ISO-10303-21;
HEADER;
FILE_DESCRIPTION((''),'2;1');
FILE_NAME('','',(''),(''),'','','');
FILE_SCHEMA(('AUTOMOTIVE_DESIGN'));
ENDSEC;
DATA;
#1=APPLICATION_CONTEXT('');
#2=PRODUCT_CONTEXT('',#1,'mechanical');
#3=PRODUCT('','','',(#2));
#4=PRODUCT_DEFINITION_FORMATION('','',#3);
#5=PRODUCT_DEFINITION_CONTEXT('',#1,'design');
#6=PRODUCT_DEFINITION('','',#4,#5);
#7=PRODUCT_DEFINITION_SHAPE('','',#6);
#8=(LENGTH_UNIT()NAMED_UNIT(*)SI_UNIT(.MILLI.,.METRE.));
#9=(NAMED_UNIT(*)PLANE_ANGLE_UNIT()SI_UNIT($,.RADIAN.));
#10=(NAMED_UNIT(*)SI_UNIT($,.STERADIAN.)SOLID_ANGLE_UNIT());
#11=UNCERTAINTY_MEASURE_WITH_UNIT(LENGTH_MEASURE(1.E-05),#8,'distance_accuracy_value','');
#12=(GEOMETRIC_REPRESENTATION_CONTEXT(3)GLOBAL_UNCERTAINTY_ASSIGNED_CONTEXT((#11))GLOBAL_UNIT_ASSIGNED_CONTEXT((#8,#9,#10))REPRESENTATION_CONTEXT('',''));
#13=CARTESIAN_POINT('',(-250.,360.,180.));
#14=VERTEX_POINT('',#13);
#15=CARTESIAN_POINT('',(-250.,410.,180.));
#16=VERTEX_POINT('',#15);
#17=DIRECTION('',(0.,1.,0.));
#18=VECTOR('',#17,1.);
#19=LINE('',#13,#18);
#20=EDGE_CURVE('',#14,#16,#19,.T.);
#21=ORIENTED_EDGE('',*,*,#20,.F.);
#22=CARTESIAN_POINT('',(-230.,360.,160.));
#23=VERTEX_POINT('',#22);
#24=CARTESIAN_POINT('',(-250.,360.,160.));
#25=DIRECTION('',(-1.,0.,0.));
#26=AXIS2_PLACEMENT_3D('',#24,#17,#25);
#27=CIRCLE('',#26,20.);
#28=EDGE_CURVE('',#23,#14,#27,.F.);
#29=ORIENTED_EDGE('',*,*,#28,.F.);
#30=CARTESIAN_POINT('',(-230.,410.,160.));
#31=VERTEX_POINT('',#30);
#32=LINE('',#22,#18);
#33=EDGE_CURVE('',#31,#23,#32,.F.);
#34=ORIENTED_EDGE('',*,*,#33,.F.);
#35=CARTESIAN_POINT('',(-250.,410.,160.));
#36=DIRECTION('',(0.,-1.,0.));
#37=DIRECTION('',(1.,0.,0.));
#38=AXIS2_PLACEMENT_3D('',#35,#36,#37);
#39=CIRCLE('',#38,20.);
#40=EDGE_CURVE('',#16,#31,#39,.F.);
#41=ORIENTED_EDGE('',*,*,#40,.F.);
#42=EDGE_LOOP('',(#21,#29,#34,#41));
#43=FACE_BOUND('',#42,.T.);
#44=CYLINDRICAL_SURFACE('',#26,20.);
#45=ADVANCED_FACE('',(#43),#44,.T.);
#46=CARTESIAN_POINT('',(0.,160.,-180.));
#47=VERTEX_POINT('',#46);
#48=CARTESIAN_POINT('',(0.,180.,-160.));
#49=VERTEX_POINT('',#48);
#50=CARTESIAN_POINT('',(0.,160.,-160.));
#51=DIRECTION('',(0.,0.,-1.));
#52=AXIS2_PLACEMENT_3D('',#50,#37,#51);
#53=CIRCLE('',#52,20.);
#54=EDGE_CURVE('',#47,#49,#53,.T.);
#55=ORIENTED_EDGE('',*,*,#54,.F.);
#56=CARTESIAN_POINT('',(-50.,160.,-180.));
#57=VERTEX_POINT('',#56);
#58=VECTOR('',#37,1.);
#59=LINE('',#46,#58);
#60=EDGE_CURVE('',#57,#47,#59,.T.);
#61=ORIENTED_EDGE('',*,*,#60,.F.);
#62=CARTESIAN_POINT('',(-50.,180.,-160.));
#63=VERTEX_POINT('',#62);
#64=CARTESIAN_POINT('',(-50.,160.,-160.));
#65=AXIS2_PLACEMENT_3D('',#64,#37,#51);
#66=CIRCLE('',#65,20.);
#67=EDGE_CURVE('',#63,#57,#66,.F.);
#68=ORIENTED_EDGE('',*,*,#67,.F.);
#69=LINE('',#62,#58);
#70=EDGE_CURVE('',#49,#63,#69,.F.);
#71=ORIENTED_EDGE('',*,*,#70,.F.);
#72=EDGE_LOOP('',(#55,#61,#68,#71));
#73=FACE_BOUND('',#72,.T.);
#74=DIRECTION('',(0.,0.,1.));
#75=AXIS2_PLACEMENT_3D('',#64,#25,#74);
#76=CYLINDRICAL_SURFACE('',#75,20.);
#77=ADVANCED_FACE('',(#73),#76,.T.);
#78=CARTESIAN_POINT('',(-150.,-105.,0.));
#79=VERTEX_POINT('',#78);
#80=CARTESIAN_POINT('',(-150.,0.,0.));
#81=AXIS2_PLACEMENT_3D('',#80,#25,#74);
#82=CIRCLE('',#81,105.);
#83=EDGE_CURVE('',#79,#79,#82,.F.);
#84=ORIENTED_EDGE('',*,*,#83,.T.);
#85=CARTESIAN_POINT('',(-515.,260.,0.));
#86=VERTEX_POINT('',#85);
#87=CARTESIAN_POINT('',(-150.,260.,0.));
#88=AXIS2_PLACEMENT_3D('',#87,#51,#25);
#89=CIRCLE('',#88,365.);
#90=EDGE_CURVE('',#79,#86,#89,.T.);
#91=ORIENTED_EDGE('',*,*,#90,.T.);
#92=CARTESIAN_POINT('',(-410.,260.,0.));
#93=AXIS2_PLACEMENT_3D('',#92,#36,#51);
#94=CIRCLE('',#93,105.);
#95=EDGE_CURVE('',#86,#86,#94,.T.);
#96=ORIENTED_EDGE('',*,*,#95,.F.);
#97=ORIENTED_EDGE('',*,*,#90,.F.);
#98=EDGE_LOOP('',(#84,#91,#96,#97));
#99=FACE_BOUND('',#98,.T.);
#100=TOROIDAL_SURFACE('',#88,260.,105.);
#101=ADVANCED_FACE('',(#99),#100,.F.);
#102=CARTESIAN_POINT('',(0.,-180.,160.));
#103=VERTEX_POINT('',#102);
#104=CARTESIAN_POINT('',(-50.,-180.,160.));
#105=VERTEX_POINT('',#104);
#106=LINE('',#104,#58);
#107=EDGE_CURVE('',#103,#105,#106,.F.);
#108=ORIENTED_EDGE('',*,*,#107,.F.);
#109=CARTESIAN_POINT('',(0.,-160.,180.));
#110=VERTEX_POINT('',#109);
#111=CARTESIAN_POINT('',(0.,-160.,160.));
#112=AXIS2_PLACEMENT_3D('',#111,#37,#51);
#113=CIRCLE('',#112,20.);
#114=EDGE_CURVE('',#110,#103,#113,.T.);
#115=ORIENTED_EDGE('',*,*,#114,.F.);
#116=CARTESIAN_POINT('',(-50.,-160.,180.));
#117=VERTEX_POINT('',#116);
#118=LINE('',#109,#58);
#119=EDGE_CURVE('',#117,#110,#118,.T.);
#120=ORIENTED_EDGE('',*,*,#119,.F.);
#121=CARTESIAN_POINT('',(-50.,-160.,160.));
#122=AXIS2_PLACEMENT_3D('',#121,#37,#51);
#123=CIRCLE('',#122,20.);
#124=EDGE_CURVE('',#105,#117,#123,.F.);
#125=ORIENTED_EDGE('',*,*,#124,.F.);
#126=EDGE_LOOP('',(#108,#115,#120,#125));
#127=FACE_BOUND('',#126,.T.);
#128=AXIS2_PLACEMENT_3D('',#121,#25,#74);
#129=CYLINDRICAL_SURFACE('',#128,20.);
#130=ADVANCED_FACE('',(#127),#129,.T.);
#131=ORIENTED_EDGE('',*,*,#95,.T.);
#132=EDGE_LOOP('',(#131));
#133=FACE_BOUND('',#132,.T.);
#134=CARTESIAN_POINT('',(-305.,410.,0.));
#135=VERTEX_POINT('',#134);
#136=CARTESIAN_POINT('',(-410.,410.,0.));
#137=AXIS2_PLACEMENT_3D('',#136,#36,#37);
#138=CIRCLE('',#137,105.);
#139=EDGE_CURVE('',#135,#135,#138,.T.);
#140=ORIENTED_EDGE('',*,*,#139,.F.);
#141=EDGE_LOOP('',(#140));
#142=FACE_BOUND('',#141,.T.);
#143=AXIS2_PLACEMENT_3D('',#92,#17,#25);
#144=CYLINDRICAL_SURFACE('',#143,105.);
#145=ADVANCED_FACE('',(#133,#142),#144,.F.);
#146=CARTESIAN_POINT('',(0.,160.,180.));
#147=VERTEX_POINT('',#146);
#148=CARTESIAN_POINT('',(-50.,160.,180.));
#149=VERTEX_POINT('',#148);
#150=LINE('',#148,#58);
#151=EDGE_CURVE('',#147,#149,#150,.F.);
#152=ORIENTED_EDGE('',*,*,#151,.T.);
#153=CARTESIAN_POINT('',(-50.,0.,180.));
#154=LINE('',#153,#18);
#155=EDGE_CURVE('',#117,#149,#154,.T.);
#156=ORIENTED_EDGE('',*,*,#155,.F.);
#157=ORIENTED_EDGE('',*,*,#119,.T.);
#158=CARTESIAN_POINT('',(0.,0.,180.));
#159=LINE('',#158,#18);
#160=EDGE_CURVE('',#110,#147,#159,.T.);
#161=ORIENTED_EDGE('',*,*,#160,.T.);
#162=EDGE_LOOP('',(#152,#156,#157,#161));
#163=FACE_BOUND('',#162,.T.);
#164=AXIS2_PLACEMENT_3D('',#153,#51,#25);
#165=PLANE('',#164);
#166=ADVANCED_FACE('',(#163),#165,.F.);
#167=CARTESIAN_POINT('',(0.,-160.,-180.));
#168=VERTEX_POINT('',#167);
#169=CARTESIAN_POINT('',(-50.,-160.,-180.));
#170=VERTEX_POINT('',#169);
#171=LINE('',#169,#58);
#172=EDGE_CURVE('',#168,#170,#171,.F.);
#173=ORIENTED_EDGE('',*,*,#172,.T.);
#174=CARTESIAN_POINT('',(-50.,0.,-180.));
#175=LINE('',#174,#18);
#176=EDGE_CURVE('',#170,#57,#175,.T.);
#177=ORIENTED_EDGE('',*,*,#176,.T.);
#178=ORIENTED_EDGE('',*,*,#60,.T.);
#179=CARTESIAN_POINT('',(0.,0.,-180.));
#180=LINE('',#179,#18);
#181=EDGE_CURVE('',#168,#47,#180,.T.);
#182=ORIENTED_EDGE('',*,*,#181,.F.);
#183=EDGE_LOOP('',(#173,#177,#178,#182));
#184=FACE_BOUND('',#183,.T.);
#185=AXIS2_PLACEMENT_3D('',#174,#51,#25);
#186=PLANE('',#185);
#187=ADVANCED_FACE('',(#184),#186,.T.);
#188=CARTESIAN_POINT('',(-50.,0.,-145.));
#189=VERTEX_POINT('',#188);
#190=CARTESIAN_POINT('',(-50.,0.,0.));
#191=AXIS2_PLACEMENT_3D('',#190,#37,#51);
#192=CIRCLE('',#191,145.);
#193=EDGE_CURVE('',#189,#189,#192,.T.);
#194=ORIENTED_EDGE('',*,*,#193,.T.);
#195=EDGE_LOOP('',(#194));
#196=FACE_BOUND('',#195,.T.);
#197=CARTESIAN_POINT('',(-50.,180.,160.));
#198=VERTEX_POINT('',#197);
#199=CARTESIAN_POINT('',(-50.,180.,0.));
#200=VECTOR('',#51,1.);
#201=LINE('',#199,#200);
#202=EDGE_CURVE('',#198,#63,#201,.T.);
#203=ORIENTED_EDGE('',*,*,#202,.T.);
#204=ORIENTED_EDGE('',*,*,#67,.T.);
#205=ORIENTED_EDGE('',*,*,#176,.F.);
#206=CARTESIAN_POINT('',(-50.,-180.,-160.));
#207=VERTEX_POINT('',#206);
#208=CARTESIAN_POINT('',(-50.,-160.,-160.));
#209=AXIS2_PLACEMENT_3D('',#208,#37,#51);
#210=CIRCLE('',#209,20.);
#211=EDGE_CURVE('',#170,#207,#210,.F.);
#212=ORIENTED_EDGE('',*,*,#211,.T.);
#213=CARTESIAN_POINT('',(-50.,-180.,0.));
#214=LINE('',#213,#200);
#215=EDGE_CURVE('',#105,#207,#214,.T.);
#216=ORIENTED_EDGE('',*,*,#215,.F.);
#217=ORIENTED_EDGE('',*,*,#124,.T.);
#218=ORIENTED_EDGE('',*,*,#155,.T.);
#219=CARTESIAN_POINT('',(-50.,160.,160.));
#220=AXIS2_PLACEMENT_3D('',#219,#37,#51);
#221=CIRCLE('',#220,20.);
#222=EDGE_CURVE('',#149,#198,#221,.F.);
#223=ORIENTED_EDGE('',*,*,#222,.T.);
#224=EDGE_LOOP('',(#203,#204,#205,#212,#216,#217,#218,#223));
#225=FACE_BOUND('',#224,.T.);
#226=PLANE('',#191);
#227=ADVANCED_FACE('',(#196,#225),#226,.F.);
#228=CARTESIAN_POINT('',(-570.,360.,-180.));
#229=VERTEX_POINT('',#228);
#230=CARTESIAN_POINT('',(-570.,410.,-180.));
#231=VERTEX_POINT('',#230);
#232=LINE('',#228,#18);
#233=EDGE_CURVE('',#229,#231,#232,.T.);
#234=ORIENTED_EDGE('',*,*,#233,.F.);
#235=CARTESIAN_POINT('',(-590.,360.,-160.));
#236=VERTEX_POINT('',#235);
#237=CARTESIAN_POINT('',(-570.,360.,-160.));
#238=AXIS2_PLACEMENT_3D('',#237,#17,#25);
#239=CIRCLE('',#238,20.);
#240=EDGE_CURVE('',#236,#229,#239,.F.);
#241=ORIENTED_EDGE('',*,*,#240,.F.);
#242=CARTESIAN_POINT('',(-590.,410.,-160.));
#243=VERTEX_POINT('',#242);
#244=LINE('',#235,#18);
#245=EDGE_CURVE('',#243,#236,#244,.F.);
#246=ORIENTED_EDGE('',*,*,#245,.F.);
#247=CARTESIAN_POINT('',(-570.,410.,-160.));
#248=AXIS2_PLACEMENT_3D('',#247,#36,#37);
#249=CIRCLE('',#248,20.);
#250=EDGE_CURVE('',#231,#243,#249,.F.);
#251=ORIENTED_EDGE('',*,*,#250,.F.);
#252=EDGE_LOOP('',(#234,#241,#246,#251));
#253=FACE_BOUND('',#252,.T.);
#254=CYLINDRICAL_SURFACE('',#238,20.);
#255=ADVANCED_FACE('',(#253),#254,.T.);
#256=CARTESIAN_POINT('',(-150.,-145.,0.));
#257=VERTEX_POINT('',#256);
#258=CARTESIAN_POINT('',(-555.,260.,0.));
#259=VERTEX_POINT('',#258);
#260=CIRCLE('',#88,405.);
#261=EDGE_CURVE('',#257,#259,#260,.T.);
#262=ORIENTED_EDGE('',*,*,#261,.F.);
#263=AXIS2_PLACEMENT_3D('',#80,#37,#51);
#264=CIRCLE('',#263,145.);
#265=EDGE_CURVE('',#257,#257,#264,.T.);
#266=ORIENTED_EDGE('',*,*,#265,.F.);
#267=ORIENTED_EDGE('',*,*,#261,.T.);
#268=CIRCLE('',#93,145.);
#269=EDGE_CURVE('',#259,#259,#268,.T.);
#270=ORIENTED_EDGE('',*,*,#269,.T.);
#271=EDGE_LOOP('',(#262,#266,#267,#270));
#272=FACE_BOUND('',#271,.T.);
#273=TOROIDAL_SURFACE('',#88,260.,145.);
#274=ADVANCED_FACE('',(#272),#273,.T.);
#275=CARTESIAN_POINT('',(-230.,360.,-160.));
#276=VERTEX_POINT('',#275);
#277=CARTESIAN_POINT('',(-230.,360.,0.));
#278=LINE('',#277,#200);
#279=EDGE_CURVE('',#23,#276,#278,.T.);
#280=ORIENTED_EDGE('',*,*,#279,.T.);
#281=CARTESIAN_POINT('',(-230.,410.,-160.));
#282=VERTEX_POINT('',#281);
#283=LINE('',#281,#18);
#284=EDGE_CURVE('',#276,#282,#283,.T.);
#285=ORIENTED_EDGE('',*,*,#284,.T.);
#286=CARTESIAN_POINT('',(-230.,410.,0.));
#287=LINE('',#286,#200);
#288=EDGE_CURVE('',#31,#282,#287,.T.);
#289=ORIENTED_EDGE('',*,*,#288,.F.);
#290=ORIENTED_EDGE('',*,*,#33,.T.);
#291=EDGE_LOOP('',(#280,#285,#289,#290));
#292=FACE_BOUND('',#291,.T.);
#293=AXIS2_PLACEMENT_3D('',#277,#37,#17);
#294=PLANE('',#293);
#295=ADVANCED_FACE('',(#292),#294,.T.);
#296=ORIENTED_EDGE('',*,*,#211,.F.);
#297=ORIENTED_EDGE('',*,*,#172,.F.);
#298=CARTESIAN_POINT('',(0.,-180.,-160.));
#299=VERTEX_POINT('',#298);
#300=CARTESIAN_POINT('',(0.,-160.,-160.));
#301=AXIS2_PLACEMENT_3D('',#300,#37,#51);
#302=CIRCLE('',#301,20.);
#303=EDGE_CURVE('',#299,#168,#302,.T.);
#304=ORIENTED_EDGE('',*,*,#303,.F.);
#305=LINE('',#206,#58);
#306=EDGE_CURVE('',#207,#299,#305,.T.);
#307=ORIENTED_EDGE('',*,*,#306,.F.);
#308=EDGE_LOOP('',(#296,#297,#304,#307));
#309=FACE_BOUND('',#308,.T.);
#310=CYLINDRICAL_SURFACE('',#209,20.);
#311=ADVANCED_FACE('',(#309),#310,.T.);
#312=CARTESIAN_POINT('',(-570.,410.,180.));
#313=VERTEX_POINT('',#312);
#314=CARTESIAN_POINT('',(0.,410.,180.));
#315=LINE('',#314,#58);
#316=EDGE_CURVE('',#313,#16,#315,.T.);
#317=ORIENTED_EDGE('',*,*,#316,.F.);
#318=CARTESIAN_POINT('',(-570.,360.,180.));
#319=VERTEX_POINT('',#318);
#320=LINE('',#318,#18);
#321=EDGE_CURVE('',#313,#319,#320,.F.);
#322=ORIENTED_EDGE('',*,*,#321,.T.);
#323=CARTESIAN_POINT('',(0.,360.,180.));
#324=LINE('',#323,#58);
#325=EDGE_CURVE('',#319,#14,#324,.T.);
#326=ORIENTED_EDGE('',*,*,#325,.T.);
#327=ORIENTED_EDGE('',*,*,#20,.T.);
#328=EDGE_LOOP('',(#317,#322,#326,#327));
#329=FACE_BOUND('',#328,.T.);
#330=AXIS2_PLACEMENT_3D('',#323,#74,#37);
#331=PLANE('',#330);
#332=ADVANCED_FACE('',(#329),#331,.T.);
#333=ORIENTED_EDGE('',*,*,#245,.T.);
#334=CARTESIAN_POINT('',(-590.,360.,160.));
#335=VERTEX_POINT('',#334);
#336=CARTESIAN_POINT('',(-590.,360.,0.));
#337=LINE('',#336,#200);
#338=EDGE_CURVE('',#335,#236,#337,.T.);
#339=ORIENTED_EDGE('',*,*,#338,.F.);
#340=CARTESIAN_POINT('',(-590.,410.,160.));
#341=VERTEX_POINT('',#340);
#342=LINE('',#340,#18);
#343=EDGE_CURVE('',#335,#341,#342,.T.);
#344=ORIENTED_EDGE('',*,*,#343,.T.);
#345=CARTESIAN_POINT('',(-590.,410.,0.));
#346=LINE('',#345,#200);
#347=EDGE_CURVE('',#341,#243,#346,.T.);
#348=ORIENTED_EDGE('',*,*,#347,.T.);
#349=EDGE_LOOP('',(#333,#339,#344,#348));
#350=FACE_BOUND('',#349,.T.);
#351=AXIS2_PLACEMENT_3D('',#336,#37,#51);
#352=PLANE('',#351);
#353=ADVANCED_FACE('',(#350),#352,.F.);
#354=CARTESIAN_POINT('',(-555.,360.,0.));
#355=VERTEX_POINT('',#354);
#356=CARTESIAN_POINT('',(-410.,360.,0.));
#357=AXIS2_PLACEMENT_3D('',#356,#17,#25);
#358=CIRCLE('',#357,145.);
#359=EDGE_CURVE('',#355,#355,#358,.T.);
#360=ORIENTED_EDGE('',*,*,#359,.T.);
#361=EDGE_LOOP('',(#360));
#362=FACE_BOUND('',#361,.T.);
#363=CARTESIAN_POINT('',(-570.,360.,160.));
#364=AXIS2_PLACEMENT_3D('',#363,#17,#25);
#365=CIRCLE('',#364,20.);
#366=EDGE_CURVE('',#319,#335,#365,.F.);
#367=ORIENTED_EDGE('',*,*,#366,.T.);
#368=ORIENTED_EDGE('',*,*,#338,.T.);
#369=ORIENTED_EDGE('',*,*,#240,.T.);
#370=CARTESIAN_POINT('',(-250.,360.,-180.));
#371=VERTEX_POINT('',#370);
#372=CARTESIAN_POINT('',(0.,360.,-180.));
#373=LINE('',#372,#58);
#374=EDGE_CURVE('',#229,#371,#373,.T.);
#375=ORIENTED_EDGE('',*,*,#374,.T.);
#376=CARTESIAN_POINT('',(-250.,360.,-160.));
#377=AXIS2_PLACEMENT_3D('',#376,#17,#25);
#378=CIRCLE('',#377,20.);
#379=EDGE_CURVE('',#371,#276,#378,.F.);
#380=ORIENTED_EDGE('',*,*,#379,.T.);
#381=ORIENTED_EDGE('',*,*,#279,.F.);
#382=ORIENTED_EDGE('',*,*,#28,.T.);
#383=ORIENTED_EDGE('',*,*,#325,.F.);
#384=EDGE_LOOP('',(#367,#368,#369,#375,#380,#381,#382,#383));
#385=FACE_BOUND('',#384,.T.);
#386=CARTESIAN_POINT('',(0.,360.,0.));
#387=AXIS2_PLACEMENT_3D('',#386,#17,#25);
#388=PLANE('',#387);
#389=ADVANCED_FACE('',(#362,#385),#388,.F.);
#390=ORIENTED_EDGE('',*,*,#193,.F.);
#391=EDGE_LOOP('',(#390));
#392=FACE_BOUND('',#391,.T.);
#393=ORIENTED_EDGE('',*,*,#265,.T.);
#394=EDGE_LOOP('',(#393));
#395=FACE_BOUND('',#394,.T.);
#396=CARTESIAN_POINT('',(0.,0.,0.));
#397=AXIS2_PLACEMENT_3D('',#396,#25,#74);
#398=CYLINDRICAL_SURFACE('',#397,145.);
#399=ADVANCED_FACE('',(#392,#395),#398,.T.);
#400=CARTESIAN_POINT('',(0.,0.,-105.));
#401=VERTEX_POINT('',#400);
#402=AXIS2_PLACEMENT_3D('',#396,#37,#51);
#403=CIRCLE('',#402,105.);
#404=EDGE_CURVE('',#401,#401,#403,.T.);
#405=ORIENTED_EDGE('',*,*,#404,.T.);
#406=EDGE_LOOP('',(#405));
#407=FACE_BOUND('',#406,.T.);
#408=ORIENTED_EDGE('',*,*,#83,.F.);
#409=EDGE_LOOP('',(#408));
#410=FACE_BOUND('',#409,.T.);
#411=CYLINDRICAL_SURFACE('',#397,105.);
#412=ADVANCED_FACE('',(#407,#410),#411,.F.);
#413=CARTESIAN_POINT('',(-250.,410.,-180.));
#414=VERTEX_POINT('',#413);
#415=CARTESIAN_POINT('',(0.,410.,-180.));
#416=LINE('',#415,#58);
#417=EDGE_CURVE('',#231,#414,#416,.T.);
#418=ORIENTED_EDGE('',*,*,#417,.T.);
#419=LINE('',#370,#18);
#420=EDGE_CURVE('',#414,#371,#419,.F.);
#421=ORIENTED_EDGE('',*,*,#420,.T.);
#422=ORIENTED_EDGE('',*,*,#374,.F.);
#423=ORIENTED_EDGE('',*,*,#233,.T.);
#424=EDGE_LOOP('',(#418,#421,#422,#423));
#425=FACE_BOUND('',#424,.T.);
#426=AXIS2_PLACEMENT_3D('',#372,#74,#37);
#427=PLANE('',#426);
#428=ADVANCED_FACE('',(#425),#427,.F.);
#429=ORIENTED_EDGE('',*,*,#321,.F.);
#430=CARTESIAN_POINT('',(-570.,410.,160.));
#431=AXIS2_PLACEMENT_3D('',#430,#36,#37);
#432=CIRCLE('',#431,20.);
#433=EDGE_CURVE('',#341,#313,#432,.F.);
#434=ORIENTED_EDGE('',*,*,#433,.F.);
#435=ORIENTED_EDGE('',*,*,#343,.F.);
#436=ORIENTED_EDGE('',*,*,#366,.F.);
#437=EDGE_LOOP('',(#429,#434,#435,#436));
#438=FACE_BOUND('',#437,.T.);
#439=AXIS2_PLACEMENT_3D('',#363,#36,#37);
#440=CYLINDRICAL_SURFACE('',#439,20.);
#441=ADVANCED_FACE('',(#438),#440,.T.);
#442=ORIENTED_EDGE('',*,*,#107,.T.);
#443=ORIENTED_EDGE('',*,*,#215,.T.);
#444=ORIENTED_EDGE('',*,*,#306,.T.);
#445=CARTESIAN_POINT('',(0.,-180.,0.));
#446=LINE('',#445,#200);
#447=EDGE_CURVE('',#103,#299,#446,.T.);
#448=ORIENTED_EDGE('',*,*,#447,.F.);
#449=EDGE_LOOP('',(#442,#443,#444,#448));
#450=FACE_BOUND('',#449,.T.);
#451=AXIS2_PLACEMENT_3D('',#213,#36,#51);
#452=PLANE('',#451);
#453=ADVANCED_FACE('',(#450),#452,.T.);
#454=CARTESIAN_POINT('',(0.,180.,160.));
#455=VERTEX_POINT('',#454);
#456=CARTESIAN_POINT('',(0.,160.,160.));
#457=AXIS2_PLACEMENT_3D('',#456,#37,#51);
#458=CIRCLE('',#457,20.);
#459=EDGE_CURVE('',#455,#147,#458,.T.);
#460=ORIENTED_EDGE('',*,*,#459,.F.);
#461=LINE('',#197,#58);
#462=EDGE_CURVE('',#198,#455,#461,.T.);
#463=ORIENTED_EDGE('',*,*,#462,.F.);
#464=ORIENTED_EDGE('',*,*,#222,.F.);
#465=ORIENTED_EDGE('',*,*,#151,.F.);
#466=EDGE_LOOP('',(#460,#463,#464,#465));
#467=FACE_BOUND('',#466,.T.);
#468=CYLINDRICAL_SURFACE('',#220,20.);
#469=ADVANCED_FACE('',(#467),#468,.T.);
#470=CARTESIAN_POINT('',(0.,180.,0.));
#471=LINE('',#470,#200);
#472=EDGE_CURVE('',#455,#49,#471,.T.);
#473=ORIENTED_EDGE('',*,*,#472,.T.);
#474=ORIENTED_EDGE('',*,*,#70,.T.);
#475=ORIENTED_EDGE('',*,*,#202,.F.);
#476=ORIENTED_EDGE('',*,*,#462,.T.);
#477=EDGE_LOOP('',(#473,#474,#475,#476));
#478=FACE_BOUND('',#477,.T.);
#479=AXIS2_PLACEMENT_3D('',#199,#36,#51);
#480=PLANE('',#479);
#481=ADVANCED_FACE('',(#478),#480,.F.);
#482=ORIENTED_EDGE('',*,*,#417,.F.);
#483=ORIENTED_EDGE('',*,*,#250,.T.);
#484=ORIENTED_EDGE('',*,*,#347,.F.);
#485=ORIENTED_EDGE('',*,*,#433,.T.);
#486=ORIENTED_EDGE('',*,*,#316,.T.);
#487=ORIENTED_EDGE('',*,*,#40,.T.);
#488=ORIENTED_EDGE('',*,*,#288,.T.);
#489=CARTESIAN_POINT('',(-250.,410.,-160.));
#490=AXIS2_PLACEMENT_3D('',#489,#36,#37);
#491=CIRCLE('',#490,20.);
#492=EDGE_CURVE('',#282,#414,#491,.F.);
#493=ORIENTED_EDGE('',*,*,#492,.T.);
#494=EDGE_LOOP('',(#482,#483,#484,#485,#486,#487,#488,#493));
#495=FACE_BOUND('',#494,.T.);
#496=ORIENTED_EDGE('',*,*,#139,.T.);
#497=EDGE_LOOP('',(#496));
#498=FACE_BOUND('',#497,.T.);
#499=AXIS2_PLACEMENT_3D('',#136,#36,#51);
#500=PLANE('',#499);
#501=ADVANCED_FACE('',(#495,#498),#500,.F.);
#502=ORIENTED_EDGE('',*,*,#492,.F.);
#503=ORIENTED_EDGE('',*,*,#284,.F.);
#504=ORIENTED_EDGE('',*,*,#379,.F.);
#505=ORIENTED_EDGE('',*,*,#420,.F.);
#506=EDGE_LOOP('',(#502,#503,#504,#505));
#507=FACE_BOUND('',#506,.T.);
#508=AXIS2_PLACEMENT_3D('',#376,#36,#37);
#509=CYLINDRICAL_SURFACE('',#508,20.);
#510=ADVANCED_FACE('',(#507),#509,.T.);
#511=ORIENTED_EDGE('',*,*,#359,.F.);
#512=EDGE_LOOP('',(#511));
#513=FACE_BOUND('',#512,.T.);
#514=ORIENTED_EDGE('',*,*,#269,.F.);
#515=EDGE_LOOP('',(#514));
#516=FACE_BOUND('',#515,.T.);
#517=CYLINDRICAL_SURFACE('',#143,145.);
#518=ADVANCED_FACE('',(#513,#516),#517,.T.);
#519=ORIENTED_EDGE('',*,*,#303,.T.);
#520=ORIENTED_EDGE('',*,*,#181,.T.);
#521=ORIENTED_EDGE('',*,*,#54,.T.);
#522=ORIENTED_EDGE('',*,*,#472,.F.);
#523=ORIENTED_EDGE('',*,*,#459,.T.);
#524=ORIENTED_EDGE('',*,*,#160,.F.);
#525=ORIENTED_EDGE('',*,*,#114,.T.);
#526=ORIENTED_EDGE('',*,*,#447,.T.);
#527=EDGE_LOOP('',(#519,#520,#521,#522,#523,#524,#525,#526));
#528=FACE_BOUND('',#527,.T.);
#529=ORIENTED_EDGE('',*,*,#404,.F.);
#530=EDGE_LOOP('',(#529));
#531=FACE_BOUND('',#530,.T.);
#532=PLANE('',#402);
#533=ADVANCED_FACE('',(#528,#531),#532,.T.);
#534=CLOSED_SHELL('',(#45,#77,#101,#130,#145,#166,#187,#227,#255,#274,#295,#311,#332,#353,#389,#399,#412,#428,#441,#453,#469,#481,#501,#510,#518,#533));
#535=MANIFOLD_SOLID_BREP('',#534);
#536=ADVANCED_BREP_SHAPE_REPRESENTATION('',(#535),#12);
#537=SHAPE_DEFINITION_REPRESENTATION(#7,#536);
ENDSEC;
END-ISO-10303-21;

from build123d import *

# Parameters (mm, degrees)
SKETCH3_R           = 145
SKETCH3_R_2         = 105
BOSS_EXTRUDE1_START = -50
SKETCH4_W           = 360
SKETCH4_H           = 360
SKETCH4_R           = 145
BOSS_EXTRUDE1_DEPTH = 50
FILLET1_R           = 20
SKETCH6_W           = 360
SKETCH6_H           = 360
SKETCH6_R           = 145
BOSS_EXTRUDE2_DEPTH = 50
FILLET2_R           = 20
SKETCH7_R           = 30
BOSS_EXTRUDE4_DEPTH = 10


with BuildPart() as part:
    # Sweep-Thin1: sweep along a path in Sketch2
    with BuildLine(Plane.XY) as sweep_thin1_path:
        Line((0, 0), (-150, 0))
        ThreePointArc((-150, 0), (-333.847763109, 76.152236891), (-410, 260))
        Line((-410, 260), (-410, 410))
    # Sketch3 → Sweep-Thin1 (sweep)
    with BuildSketch(Plane(origin=(0, 0, 0), x_dir=(0, 0, -1), z_dir=(1, 0, 0))):
        Circle(SKETCH3_R)
        Circle(SKETCH3_R_2, mode=Mode.SUBTRACT)
    sweep(path=sweep_thin1_path.line)

    # Sketch4 → Boss-Extrude1 (add)
    with BuildSketch(Plane(origin=(0, 0, 0), x_dir=(0, 0, -1), z_dir=(1, 0, 0)).offset(BOSS_EXTRUDE1_START)):
        Rectangle(SKETCH4_W, SKETCH4_H)
        with Locations(Location((0, 0, 0), (0, 0, 270))):
            Circle(SKETCH4_R, mode=Mode.SUBTRACT)
    extrude(amount=BOSS_EXTRUDE1_DEPTH)

    # Fillet1
    fillet1_edges = [part.edges().sort_by_distance(p)[0] for p in [
        (-25, -180, -180),
        (-25, -180, 180),
        (-25, 180, 180),
        (-25, 180, -180),
    ]]
    fillet(fillet1_edges, radius=FILLET1_R)

    # Sketch6 → Boss-Extrude2 (add)
    with BuildSketch(Plane(origin=(0, 410, 0), x_dir=(1, 0, 0), z_dir=(0, 1, 0))):
        with Locations((-410, 0)):
            Rectangle(SKETCH6_W, SKETCH6_H)
        with Locations(Location((-410, 0, 0), (0, 0, 180))):
            Circle(SKETCH6_R, mode=Mode.SUBTRACT)
    extrude(amount=-BOSS_EXTRUDE2_DEPTH)

    # Fillet2
    fillet2_edges = [part.edges().sort_by_distance(p)[0] for p in [
        (-230, 385, 180),
        (-590, 385, 180),
        (-590, 385, -180),
        (-230, 385, -180),
    ]]
    fillet(fillet2_edges, radius=FILLET2_R)

    # Sketch7 → Boss-Extrude4 (add)
    with BuildSketch(Plane(origin=(0, 0, 0), x_dir=(0, 0, -1), z_dir=(1, 0, 0))):
        with Locations((-130, 130)):
            Circle(SKETCH7_R)
    extrude(amount=-BOSS_EXTRUDE4_DEPTH)


solid = part.part
